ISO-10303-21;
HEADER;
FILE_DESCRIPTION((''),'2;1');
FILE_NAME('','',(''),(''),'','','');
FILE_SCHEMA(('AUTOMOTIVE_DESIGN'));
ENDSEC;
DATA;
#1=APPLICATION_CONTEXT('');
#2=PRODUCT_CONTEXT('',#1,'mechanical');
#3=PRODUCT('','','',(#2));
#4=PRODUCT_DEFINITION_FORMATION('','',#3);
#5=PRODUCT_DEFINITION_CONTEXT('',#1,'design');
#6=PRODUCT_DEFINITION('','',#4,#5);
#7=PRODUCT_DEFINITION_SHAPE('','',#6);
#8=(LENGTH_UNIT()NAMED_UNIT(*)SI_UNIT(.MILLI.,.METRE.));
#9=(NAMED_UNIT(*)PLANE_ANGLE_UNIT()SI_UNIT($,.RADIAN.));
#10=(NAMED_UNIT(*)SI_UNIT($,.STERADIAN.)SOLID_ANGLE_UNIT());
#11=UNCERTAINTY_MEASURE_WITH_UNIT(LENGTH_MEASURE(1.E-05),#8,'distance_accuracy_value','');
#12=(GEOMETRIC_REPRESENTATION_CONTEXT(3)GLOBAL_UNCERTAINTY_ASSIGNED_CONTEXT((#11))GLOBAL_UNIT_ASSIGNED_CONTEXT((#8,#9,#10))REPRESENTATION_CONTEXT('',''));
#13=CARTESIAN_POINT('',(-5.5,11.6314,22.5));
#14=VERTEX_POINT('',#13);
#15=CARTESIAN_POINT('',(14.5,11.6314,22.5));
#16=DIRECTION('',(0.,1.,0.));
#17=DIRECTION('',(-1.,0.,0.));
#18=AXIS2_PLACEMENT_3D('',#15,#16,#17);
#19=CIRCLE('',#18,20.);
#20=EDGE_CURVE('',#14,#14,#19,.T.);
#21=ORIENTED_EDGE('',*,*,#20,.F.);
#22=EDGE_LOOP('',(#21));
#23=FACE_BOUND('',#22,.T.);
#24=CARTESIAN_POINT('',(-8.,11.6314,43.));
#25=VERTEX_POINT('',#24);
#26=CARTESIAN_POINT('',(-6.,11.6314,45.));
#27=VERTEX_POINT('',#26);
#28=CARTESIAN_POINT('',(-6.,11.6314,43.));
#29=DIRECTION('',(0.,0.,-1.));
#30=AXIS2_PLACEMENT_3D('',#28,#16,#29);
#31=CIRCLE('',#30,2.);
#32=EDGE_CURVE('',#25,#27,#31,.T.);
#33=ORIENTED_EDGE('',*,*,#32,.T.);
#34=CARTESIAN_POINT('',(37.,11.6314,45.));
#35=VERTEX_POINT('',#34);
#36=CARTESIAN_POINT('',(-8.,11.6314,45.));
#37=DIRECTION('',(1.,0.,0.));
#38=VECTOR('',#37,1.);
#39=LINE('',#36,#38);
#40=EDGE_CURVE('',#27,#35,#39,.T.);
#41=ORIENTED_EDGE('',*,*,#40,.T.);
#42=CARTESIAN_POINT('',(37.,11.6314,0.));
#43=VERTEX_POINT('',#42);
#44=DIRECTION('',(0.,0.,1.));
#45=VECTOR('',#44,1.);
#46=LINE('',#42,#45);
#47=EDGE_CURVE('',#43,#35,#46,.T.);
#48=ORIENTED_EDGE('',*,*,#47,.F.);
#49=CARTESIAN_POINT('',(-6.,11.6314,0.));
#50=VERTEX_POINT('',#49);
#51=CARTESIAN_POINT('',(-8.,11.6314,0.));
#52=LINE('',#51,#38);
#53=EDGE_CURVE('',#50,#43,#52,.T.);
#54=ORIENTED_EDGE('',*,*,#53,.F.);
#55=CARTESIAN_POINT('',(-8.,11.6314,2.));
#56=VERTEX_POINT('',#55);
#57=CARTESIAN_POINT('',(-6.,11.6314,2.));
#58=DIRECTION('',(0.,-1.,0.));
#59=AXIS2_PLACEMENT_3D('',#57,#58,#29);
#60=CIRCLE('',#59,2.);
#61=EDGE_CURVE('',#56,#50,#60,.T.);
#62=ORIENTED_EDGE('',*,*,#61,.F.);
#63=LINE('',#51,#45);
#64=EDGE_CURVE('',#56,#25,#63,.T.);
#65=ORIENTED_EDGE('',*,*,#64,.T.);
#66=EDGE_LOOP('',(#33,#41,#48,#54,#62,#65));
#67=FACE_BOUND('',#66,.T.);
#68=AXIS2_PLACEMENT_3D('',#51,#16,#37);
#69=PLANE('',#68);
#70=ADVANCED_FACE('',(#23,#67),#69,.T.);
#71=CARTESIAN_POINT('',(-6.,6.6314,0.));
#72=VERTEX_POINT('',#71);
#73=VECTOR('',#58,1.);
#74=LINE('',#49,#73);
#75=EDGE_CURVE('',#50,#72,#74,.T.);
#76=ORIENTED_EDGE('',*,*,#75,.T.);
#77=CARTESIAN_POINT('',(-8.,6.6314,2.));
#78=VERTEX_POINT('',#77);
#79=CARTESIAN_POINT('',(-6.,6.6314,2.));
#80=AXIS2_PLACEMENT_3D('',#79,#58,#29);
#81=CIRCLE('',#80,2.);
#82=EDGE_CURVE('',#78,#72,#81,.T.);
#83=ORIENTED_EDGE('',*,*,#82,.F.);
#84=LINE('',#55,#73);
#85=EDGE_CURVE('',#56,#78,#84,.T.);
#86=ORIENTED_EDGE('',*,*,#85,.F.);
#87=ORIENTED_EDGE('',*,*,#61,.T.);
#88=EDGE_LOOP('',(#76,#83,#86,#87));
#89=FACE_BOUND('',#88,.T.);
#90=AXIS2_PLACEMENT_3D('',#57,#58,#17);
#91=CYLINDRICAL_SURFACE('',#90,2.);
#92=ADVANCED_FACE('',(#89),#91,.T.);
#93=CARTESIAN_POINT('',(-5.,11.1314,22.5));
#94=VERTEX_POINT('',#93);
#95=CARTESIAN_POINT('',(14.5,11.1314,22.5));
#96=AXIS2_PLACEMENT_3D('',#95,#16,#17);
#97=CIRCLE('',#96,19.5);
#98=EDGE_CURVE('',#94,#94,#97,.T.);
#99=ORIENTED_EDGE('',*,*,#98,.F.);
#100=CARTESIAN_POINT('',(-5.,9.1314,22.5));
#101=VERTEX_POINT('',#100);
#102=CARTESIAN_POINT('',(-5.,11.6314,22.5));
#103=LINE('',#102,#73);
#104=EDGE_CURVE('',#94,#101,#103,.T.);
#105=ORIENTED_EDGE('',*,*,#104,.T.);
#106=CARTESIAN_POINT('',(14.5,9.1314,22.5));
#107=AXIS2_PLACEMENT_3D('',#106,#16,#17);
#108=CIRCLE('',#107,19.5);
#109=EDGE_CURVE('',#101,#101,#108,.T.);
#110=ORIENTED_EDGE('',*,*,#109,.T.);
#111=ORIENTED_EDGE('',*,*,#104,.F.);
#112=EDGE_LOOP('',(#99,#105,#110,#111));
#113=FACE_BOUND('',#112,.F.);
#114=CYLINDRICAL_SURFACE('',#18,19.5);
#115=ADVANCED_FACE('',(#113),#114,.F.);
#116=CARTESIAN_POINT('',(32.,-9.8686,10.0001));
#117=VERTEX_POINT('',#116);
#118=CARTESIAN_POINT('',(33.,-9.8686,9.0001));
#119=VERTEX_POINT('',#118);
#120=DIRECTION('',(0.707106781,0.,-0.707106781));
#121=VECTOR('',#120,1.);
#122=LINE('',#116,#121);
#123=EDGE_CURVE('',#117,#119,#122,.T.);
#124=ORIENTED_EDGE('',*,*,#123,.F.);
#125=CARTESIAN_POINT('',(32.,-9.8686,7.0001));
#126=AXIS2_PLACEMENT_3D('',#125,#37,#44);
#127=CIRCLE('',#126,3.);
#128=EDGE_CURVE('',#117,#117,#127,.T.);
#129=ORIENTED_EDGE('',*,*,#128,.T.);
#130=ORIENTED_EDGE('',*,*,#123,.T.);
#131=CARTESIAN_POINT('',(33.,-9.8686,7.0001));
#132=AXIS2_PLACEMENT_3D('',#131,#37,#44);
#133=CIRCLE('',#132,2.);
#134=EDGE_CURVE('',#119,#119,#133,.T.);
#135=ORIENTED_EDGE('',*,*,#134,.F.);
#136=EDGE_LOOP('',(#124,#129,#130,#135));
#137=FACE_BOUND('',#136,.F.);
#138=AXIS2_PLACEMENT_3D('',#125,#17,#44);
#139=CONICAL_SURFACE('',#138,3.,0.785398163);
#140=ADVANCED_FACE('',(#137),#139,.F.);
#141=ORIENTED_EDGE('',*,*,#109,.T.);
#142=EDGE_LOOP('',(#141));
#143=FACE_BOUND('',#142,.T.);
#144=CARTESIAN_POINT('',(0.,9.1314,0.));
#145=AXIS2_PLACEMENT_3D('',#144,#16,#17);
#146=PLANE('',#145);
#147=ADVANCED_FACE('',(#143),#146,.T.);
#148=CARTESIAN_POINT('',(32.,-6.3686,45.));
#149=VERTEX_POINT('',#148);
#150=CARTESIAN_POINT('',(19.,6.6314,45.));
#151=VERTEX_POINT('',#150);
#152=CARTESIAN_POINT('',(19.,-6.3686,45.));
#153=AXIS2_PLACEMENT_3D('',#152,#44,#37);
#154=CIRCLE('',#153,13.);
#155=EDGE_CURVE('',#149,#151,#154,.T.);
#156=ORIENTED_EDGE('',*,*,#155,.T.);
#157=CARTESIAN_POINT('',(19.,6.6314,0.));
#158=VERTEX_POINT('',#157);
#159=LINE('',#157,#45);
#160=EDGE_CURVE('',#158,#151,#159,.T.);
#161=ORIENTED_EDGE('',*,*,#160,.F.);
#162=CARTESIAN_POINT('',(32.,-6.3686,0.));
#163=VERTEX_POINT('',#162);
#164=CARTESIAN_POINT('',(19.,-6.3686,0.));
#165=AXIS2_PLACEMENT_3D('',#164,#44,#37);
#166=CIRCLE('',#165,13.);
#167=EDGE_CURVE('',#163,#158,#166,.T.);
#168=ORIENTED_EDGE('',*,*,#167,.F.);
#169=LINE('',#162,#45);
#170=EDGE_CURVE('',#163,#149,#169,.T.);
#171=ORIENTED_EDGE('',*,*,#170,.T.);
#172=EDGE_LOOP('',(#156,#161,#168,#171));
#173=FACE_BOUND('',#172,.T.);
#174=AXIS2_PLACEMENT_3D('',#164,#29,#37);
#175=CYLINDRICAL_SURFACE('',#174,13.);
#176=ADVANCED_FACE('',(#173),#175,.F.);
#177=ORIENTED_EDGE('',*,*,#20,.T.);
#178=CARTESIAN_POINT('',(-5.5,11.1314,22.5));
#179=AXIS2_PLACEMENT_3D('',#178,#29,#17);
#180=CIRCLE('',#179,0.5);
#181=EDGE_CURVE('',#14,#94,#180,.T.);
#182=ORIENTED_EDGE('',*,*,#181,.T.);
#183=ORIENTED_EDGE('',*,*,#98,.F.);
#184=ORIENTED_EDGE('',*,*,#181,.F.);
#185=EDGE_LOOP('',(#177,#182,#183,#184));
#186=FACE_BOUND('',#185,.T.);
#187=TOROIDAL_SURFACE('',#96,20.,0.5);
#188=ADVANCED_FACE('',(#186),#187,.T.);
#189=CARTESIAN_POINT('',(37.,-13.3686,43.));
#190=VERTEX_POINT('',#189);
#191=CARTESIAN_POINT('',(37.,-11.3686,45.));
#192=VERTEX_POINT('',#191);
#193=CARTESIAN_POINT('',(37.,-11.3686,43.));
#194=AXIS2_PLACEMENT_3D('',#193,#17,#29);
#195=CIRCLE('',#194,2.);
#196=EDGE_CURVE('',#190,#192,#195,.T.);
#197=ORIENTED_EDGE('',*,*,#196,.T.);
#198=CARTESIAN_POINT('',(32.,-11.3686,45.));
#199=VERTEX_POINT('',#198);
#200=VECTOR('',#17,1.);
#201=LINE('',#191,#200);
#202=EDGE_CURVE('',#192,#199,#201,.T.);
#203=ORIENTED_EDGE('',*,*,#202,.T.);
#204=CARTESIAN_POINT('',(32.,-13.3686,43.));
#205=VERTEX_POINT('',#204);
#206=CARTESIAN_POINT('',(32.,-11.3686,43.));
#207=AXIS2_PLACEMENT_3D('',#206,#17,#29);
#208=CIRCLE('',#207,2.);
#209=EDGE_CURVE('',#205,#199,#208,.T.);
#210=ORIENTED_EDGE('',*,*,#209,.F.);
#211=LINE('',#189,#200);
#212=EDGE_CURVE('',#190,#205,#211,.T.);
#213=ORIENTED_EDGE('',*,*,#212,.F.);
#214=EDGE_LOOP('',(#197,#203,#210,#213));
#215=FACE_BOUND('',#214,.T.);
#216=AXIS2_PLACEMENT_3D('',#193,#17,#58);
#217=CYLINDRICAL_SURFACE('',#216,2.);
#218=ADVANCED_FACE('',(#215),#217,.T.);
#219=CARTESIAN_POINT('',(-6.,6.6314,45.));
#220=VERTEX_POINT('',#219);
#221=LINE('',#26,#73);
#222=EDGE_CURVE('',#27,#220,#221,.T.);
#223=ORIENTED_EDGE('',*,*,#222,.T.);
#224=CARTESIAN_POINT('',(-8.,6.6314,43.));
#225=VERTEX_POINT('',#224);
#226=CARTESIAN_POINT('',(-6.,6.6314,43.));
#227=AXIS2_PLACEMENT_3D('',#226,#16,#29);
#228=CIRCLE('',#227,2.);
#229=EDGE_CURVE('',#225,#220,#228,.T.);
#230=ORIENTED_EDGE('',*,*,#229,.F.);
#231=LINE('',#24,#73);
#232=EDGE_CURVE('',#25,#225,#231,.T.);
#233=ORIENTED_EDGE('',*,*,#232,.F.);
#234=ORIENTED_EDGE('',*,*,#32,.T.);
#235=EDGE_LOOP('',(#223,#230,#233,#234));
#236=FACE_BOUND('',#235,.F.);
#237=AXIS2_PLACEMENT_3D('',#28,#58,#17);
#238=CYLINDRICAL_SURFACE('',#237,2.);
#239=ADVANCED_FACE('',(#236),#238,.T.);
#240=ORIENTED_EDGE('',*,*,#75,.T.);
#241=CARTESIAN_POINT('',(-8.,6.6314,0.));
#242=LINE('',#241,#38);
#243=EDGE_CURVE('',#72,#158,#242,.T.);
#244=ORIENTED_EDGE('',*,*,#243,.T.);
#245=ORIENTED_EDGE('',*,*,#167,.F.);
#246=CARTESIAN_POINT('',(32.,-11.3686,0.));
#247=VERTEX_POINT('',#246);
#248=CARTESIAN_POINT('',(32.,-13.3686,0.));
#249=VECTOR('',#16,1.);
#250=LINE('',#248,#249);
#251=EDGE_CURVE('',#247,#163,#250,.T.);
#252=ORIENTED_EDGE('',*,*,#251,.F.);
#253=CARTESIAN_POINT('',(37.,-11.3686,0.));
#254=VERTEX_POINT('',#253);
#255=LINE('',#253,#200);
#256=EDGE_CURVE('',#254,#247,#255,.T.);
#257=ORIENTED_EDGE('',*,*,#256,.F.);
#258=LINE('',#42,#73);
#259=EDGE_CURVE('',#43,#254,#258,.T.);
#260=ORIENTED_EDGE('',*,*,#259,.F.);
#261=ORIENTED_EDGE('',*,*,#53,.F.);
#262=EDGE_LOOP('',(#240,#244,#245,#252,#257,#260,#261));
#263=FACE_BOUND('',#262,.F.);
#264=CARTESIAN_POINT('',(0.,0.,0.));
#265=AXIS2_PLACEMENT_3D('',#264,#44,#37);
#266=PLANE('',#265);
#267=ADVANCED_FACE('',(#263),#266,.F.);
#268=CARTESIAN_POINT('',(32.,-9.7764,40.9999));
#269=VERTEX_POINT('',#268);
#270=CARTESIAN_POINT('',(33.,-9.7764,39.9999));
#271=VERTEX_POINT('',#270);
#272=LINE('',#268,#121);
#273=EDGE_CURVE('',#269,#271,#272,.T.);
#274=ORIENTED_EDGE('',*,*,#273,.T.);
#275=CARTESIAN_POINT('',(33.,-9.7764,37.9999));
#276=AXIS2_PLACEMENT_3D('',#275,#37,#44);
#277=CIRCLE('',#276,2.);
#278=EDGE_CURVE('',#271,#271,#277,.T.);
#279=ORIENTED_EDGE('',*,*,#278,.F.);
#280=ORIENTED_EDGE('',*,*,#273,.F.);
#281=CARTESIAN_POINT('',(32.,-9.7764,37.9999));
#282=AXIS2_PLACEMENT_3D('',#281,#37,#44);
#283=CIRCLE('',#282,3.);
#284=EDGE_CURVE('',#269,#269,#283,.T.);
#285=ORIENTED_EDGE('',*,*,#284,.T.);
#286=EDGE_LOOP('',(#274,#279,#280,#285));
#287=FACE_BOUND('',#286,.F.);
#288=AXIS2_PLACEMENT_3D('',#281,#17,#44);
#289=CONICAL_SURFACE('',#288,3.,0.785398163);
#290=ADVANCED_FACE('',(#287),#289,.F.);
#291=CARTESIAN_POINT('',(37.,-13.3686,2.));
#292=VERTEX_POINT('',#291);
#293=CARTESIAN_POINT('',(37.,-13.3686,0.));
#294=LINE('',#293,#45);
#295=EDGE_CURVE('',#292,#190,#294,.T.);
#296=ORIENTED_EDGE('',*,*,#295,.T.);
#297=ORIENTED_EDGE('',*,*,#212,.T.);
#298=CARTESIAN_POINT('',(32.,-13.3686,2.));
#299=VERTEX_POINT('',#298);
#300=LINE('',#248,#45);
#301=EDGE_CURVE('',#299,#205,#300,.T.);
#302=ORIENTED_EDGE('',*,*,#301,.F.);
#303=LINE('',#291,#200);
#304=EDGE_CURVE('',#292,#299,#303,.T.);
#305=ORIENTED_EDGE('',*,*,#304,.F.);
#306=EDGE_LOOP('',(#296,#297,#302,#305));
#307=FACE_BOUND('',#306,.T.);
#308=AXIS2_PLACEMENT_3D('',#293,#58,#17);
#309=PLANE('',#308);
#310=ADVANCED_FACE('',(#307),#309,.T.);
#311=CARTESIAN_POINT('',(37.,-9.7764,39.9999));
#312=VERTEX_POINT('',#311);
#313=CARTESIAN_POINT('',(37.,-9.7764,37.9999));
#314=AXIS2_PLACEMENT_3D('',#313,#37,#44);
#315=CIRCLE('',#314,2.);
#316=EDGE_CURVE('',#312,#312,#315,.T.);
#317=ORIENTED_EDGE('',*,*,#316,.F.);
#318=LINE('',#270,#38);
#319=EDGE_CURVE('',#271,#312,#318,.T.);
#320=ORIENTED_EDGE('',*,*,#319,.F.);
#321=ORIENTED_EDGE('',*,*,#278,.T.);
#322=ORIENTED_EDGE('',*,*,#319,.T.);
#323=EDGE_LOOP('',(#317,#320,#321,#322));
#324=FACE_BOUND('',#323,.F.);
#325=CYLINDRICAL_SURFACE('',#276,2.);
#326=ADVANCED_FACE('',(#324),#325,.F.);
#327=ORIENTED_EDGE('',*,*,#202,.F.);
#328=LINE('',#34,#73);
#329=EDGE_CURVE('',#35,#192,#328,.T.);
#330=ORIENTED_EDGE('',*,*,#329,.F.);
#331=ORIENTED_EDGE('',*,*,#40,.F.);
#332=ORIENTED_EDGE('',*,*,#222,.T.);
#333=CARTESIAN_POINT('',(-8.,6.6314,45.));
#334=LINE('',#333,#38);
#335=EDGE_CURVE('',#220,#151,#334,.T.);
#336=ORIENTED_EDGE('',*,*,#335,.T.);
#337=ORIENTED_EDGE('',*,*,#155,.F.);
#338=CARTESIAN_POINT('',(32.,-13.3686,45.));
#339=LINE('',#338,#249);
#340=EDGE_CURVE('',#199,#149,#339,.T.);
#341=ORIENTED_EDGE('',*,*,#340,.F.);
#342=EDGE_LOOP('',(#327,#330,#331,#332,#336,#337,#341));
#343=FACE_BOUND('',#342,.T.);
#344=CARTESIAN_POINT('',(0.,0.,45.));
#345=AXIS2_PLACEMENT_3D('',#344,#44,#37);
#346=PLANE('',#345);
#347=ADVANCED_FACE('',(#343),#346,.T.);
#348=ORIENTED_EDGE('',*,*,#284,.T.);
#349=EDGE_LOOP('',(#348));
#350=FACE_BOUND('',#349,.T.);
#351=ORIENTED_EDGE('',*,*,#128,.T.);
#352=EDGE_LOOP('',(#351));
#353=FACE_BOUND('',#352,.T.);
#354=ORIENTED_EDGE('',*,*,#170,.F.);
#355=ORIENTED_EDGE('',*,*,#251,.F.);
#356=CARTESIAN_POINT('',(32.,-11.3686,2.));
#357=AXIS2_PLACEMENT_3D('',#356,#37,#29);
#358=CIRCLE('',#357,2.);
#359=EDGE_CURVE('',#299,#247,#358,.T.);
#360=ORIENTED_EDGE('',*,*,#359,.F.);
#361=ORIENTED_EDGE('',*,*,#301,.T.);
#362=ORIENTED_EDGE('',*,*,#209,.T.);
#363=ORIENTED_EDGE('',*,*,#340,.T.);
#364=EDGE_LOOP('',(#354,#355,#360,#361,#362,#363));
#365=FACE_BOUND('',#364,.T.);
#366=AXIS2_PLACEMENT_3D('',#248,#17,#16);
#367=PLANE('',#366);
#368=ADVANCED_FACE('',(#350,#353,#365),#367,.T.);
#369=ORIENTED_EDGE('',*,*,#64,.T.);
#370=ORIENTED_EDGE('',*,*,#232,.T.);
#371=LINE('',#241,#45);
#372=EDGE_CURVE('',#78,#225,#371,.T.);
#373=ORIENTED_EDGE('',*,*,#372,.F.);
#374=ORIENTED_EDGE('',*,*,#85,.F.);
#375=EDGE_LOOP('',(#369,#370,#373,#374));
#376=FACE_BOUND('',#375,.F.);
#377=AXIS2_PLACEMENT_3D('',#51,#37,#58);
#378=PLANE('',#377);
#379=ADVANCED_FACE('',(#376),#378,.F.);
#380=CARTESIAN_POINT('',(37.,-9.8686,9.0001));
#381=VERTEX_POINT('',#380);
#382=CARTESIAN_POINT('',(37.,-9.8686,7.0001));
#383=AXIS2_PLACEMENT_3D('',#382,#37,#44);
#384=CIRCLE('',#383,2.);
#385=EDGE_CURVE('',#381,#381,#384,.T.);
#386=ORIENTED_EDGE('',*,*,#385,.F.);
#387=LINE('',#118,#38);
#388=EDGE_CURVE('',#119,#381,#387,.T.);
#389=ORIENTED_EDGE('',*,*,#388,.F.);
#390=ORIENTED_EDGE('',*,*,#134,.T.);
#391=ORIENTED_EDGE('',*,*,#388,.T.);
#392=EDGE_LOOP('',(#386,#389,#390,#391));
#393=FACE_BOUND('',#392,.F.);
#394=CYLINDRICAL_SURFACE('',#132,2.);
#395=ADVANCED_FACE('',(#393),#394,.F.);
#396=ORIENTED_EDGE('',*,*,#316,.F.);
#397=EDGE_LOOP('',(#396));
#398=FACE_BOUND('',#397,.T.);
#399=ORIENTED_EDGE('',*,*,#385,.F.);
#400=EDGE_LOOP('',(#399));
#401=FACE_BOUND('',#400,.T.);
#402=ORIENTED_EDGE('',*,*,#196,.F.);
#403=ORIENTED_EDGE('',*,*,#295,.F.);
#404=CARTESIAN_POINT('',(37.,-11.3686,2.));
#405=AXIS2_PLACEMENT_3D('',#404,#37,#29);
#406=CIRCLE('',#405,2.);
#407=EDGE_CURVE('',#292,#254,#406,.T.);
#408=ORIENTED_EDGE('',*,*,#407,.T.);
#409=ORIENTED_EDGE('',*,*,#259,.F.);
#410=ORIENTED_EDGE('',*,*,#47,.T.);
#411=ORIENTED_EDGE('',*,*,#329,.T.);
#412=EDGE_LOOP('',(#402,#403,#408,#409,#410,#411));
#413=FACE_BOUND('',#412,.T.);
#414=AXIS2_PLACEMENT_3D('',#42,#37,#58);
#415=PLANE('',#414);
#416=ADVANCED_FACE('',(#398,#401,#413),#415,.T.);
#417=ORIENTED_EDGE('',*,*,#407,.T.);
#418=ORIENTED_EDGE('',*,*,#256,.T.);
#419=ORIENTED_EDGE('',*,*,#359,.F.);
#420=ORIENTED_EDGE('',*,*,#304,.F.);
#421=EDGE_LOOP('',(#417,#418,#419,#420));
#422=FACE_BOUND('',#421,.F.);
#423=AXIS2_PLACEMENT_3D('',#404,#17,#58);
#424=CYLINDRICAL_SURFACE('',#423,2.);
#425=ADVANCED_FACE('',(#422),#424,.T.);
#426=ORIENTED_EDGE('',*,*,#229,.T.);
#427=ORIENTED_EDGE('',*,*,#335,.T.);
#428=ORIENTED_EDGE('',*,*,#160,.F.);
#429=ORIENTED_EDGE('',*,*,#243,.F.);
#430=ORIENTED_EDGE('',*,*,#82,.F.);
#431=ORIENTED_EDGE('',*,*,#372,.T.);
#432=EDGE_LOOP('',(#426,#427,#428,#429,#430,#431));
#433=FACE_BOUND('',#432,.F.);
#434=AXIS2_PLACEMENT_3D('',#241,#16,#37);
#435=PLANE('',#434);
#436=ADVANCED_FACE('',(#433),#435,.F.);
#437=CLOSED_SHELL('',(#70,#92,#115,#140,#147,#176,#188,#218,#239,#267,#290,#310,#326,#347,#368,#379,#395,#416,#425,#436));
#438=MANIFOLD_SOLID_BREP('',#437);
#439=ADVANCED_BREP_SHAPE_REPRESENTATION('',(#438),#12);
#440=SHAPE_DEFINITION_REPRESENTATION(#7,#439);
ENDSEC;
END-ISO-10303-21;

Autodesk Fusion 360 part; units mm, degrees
sketch "Schizzo1" plane through (0, 0, 0) normal (0, 0, 1) x (1, 0, 0)
  line L0 (-8, 11.6314) -> (37, 11.6314)
  line L1 (37, 11.6314) -> (37, -13.3686)
  line L2 (37, -13.3686) -> (32, -13.3686)
  line L3 (32, -13.3686) -> (32, -6.3686)
  line L4 (-8, 11.6314) -> (-8, 6.6314)
  line L5 (-8, 6.6314) -> (19, 6.6314)
  arc A0 (32, -6.3686) -> (19, 6.6314) centre (19, -6.3686) ccw
  dimension "d1" = 5
  dimension "d2" = 5
  dimension "d3" = 45
  dimension "d4" = 25
  dimension "d5" = 13
extrude "Estrusione1" add sketch "Schizzo1" along normal blind 45
fillet "Raccordo1" radius 2 4 edges at (-8, 9.1314, 0) (-8, 9.1314, 45) (34.5, -13.3686, 45) (34.5, -13.3686, 0)
sketch "Schizzo2" plane through (32, 0, 0) normal (-1, 0, 0) x (0, -1, 0)
  arc A0 (11.3686, 0) -> (13.3686, 2) centre (11.3686, 2) ccw
  line L0 (13.3686, 2) -> (13.3686, 43)
  arc A1 (13.3686, 43) -> (11.3686, 45) centre (11.3686, 43) ccw
  line L1 (11.3686, 45) -> (6.3686, 45)
  line L2 (6.3686, 45) -> (6.3686, 0)
  line L3 (6.3686, 0) -> (11.3686, 0)
  line L4 (9.8686, 7.0001) -> (6.3686, 7.0001) construction
  line L5 (9.8686, 7.0001) -> (13.3686, 7.0001) construction
  line L6 (9.7764, 37.9999) -> (6.3686, 37.9999) construction
  line L7 (9.7764, 37.9999) -> (13.1842, 37.9999) construction
  line L8 (9.7764, 37.9999) -> (9.7764, 45) construction
  line L9 (9.8686, 7.0001) -> (9.8686, 0) construction
  point P0 (9.8686, 7.0001)
  point P1 (9.7764, 37.9999)
hole "Foratura1" at (32, -9.8686, 7.0001) at (32, -9.7764, 37.9999) direction (1, 0, 0) diameter 4 depth 11 tip angle 118 countersink diameter 6 countersink angle 90
sketch "Schizzo4" plane through (0, 11.6314, 0) normal (0, 1, 0) x (-1, 0, 0)
  arc A0 (8, 43) -> (6, 45) centre (6, 43) ccw
  line L0 (6, 45) -> (-37, 45)
  line L1 (-37, 45) -> (-37, 0)
  line L2 (-37, 0) -> (6, 0)
  arc A1 (6, 0) -> (8, 2) centre (6, 2) ccw
  line L3 (8, 2) -> (8, 43)
  circle A2 centre (-14.5, 22.5) radius 19.5
  dimension "d19" = 39
  dimension "d20" = 22.5
  dimension "d21" = 22.5
  dimension "d22" = 22.5
  dimension "d23" = 22.5
extrude "Estrusione2" cut sketch "Schizzo4" against normal blind 2.5 contours A2
fillet "Raccordo2" radius 0.5 1 edges at (32.6804, 11.6314, 29.5515)
